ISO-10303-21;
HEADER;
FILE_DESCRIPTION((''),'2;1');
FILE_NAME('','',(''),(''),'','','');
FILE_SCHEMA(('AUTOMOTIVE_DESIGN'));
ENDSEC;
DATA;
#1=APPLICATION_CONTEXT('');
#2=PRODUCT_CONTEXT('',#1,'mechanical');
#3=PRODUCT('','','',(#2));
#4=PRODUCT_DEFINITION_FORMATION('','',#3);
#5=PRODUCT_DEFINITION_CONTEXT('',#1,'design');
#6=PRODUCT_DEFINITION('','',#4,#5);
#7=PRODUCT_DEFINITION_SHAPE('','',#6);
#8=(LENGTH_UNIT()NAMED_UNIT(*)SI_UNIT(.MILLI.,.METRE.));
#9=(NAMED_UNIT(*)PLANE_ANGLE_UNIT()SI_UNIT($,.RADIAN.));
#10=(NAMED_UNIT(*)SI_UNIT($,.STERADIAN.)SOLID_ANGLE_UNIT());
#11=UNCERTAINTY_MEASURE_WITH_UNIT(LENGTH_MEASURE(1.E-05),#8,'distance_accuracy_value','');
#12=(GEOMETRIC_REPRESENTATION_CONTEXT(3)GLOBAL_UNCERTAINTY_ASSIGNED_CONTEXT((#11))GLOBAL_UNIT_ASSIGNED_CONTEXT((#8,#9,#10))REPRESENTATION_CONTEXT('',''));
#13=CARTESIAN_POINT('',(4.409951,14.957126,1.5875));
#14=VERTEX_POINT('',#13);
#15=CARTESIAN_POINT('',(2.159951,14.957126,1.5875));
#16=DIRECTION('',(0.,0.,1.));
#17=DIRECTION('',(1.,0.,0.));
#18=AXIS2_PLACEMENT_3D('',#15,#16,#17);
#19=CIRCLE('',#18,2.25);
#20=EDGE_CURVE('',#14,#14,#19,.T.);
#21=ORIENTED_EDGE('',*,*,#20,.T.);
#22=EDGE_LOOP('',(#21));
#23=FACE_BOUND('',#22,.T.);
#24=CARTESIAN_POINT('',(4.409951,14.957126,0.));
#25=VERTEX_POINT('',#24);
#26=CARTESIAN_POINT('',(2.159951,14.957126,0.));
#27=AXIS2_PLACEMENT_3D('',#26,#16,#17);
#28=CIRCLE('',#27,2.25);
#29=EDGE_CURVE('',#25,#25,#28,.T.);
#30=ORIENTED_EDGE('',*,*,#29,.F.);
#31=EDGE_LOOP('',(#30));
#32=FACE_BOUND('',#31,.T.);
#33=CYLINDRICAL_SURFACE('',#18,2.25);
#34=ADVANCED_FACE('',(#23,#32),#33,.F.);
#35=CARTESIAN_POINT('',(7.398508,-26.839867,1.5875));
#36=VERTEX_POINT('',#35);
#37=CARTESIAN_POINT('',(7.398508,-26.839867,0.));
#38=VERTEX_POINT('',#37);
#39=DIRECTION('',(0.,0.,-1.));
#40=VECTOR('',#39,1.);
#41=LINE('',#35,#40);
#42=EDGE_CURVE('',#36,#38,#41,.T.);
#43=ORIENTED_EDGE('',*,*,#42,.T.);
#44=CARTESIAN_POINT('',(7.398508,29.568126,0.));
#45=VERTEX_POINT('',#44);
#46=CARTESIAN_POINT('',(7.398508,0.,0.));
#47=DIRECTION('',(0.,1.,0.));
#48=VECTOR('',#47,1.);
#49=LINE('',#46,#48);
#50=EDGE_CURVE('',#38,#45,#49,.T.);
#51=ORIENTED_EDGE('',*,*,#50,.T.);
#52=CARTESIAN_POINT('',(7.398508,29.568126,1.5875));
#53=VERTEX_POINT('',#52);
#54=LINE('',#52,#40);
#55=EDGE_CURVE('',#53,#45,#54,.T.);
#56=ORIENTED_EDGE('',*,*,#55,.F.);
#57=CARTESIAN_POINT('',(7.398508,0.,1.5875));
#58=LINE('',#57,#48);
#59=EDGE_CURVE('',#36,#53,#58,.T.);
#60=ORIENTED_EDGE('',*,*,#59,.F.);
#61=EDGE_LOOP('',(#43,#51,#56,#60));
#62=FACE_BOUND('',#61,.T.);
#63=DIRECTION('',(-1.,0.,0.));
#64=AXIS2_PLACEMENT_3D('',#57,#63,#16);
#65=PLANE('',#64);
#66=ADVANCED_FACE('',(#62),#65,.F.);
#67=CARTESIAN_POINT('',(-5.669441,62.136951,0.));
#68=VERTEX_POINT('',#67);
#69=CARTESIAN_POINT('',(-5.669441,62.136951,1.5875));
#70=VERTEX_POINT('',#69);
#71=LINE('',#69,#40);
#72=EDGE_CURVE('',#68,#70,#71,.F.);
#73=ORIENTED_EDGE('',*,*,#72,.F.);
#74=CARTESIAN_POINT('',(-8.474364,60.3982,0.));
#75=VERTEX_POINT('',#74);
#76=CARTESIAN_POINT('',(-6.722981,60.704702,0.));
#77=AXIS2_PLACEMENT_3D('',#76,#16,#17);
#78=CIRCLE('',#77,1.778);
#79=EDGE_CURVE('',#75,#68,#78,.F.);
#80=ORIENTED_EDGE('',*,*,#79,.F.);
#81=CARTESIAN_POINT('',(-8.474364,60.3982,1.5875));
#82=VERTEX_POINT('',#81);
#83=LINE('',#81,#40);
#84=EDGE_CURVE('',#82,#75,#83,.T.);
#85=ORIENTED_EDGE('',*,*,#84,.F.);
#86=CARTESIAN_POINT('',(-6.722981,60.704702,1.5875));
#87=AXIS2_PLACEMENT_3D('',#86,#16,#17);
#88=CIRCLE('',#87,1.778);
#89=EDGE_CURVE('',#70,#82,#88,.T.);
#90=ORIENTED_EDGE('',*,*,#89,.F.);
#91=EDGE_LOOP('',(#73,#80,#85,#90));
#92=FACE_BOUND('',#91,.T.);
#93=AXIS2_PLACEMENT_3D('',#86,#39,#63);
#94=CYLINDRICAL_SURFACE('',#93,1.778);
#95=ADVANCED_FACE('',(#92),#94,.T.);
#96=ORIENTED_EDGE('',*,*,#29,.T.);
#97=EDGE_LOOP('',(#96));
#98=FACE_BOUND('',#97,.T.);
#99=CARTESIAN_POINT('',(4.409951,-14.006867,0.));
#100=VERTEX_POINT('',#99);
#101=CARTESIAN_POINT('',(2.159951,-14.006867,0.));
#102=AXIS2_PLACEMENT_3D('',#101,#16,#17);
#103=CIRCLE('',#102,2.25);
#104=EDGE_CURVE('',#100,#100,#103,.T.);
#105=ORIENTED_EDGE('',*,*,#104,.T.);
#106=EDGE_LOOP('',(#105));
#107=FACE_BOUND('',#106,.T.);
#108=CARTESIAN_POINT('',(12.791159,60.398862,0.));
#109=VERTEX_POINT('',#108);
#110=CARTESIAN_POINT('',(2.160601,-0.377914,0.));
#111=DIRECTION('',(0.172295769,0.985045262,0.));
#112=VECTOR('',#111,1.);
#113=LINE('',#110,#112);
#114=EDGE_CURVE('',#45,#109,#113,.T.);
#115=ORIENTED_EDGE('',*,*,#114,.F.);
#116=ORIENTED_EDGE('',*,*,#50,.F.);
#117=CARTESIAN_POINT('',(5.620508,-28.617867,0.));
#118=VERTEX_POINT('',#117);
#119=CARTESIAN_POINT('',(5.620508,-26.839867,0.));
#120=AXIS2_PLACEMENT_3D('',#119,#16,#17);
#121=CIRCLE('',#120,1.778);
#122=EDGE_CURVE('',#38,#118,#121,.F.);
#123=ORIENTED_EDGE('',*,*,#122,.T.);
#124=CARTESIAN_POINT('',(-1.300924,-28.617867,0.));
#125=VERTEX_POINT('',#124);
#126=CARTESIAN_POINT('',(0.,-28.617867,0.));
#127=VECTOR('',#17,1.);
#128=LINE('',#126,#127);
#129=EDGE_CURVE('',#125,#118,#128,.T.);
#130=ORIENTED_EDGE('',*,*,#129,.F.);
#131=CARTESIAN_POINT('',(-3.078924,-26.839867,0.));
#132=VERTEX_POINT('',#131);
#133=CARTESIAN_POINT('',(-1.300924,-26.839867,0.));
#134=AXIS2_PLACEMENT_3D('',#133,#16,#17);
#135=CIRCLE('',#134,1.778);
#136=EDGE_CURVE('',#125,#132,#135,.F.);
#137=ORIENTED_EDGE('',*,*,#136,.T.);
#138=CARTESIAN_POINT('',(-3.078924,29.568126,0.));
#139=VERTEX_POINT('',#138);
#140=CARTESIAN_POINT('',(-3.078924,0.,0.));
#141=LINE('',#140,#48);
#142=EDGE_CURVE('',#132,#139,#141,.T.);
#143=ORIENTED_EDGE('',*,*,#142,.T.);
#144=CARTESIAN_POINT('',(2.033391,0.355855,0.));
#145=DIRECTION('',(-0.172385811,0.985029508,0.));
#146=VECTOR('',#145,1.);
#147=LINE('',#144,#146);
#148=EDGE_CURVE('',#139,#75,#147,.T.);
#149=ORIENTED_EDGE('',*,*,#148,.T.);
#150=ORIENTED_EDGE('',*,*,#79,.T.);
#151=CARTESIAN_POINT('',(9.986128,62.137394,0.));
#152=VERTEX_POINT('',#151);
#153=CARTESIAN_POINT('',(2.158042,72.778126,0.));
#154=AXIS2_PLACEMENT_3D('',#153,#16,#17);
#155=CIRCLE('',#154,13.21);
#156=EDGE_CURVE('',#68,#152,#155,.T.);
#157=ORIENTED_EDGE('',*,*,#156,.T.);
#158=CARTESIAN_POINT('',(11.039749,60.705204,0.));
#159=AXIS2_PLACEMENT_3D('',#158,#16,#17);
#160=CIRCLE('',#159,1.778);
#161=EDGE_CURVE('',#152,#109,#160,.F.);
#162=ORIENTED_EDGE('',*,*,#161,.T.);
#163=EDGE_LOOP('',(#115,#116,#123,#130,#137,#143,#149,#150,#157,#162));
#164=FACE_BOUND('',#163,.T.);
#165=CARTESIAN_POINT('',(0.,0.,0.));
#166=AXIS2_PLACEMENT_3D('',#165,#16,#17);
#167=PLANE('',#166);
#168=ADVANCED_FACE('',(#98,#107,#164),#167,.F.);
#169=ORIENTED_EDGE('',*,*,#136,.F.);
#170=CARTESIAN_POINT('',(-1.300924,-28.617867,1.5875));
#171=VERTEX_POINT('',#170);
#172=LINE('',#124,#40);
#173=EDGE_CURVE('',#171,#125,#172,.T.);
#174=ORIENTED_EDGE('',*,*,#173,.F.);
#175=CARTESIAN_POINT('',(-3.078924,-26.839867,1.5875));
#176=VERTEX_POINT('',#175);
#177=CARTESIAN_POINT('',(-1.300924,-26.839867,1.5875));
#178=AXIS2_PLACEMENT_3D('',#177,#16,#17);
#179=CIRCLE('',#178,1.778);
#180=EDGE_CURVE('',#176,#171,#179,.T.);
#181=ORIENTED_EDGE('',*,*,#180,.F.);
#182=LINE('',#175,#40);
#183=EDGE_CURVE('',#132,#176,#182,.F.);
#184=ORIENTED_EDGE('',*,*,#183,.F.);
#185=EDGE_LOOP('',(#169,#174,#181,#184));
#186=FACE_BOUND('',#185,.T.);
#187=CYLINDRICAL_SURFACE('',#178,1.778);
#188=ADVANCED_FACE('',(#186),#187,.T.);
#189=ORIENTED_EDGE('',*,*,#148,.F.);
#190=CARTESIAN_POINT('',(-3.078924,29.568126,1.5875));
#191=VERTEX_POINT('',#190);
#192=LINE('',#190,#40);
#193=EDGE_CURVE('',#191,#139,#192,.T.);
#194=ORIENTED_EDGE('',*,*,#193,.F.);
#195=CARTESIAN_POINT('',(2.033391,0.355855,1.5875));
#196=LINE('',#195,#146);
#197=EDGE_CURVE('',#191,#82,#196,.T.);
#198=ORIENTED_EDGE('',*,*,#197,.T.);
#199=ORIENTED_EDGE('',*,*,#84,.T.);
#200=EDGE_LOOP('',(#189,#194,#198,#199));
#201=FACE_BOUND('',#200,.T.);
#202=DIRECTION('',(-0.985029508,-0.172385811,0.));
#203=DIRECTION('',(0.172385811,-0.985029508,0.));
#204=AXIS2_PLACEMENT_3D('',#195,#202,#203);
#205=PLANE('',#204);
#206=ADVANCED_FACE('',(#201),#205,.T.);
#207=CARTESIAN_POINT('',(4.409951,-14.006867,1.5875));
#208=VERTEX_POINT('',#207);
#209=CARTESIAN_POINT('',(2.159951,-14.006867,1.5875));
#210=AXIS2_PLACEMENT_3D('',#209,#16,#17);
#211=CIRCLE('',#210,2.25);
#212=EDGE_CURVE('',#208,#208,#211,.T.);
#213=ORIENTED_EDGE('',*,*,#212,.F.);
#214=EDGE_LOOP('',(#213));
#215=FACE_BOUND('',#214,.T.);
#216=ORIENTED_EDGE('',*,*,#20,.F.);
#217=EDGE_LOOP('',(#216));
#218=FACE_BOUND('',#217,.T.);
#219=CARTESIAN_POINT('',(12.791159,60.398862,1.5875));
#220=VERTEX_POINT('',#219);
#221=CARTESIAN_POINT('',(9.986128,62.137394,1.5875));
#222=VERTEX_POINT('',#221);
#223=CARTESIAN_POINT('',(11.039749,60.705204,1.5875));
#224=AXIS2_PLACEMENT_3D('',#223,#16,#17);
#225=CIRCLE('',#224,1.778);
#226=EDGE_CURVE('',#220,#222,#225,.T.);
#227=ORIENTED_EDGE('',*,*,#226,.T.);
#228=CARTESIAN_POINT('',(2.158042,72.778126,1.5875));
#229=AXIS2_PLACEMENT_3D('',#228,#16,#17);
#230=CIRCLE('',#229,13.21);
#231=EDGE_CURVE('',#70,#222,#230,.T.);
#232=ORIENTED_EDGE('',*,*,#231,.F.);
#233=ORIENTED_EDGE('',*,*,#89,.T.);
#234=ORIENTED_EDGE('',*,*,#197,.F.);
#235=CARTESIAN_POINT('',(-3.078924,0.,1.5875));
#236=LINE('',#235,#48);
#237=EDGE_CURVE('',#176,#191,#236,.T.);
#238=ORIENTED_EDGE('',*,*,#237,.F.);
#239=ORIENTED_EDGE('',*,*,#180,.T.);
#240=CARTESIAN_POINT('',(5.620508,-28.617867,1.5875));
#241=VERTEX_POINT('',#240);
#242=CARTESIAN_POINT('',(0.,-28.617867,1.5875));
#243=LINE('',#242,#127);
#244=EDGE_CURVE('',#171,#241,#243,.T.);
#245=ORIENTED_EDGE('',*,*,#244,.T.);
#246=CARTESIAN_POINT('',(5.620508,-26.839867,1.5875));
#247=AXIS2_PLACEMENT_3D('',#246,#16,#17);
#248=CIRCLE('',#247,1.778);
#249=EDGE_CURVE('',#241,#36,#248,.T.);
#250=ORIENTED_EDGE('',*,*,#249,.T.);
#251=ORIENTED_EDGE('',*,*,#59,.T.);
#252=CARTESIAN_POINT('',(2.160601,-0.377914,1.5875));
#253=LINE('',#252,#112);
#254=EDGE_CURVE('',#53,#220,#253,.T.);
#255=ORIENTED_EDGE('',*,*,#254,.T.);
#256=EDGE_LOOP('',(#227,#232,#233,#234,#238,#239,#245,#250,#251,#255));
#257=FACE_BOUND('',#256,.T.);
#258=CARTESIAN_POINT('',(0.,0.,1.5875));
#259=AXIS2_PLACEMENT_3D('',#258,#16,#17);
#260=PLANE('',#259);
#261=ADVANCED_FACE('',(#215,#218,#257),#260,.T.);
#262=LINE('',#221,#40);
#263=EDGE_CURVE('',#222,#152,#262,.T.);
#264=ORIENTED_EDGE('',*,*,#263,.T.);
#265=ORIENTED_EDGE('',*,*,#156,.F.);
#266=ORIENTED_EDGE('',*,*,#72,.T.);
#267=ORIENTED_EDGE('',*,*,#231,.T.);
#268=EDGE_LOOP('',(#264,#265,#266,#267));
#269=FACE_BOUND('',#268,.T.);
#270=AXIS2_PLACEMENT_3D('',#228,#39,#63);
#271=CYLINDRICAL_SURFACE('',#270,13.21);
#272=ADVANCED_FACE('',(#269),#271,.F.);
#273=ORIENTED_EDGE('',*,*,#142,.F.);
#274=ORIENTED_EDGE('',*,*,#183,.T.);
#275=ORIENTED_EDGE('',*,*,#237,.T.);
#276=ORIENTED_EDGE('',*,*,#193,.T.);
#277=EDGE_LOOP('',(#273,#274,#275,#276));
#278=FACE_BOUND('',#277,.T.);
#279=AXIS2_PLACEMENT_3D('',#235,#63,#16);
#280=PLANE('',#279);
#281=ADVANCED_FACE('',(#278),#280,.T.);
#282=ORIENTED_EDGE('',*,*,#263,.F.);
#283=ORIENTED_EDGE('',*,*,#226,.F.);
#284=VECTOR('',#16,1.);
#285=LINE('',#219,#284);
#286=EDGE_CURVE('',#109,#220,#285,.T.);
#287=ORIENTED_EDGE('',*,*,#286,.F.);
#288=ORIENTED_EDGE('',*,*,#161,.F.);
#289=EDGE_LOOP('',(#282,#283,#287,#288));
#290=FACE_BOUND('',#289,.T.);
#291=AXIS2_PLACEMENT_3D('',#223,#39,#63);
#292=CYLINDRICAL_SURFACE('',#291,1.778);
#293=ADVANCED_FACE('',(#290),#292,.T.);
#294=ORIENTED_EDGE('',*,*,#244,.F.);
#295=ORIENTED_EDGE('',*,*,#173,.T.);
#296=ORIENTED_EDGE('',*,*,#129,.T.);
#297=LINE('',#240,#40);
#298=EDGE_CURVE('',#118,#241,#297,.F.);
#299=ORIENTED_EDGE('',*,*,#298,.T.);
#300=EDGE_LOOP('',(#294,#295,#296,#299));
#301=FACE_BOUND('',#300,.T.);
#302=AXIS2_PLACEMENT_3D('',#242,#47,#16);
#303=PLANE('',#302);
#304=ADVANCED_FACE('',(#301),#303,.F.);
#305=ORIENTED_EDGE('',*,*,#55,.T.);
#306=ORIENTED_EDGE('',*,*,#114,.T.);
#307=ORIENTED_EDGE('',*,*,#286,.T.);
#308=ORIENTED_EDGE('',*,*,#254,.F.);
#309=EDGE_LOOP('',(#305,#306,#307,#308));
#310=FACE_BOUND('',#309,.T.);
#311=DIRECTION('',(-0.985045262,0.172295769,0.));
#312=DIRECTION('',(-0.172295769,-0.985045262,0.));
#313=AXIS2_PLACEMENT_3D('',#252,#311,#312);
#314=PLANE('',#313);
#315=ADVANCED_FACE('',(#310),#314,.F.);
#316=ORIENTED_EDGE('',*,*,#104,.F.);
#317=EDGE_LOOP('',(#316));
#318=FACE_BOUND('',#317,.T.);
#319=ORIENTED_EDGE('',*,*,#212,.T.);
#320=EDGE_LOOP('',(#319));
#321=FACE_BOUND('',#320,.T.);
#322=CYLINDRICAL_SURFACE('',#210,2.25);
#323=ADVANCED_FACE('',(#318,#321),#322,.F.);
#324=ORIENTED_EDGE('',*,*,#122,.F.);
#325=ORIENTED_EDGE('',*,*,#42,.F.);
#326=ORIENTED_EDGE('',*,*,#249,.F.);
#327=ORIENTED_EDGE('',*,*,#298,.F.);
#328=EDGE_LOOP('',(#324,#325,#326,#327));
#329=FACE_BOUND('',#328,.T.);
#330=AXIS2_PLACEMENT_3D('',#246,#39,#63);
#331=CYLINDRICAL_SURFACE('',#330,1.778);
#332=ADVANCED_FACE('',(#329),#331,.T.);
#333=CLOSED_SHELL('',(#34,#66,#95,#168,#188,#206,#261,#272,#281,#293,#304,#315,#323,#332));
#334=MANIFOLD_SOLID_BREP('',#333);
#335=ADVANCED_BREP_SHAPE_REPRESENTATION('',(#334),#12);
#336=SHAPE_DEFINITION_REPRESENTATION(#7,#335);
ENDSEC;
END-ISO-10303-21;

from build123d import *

# Parameters (mm, degrees)
SKETCH1_R            = 2
BOSS_EXTRUDE1_DEPTH  = 1.5875
FILLET2_R            = 1.778
M4_CLEARANCE_HOLE2_D = 4.5


with BuildPart() as part:
    # Sketch1 → Boss-Extrude1 (new body)
    with BuildSketch(Plane.XY):
        with BuildLine():
            Line((-3.078924099, -28.617866551), (2.159951047, -28.617866551))
            Line((2.159951047, -28.617866551), (7.398508015, -28.617866551))
            Line((7.398508015, -28.617866551), (7.398508015, 29.568125765))
            Line((7.398508015, 29.568125765), (13.896694252, 66.719401178))
            ThreePointArc((13.896694252, 66.719401178), (2.158041982, 59.568125704), (-9.580610288, 66.719401178))
            Line((-9.580610288, 66.719401178), (-3.078924099, 29.568125765))
            Line((-3.078924099, 29.568125765), (-3.078924099, -28.617866551))
        make_face()
        with BuildLine():
            ThreePointArc((4.159951047, -14.006866551), (3.574164609, -15.421080114), (2.159951047, -16.006866551))
            ThreePointArc((2.159951047, -16.006866551), (0.745737485, -12.592652989), (4.159951047, -14.006866551))
        make_face(mode=Mode.SUBTRACT)
        with Locations((2.159951047, 14.957125769)):
            Circle(SKETCH1_R, mode=Mode.SUBTRACT)
    extrude(amount=BOSS_EXTRUDE1_DEPTH)

    # Fillet2
    fillet2_edges = [part.edges().sort_by_distance(p)[0] for p in [
        (-9.580610288, 66.719401178, 0.79375),
        (13.896694252, 66.719401178, 0.79375),
        (7.398508015, -28.617866551, 0.79375),
        (-3.078924099, -28.617866551, 0.79375),
    ]]
    fillet(fillet2_edges, radius=FILLET2_R)

    # M4 Clearance Hole2 (through all)
    with Locations(Plane.XY.offset(1.5875)):
        with Locations((2.159951047, 14.957125769), (2.159951047, -14.006866551)):
            Hole(M4_CLEARANCE_HOLE2_D / 2)


solid = part.part
